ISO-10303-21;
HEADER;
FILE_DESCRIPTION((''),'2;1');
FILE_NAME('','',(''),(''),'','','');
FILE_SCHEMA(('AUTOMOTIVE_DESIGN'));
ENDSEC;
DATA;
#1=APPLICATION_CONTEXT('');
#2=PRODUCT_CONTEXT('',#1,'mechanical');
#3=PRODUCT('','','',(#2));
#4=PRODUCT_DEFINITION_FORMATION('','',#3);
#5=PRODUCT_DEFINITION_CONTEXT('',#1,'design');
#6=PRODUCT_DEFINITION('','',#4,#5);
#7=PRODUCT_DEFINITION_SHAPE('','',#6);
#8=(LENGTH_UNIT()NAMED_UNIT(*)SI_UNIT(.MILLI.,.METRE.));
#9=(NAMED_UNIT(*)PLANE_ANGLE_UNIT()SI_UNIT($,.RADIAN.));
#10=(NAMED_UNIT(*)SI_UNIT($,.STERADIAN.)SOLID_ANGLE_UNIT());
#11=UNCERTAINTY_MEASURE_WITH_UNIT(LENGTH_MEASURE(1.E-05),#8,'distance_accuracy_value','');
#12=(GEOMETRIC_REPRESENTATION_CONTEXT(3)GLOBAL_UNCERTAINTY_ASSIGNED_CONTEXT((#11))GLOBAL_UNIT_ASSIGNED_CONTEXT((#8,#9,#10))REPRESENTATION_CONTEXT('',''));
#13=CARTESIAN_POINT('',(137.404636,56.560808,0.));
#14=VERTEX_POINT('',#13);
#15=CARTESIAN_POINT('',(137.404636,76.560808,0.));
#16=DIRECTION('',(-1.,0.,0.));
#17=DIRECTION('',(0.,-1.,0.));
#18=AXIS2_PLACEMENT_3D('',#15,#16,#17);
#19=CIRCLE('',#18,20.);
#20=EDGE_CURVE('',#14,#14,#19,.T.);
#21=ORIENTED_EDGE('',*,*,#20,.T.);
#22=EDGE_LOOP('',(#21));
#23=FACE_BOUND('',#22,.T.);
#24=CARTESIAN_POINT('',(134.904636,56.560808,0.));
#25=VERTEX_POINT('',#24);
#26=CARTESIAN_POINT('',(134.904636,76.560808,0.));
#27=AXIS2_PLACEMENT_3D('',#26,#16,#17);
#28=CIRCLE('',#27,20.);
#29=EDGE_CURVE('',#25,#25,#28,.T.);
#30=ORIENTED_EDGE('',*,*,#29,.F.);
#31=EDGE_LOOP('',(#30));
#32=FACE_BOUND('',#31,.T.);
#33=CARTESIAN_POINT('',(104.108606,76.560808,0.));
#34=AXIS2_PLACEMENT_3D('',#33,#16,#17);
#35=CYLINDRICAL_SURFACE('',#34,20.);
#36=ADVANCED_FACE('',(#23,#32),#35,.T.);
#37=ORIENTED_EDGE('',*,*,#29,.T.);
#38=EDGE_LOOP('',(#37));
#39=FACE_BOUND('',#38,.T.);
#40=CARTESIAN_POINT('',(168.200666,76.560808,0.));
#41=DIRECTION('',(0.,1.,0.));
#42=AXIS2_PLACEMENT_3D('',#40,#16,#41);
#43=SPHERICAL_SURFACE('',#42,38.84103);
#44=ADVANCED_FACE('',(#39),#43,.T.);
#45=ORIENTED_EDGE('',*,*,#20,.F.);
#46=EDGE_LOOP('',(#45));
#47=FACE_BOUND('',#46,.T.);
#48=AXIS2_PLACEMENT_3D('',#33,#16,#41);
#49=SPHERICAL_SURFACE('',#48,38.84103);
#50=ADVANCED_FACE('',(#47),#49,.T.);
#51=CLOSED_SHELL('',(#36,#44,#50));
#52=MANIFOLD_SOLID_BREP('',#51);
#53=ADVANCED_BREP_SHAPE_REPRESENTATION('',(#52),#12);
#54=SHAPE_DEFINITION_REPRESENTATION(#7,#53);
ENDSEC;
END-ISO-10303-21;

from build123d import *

# Parameters (mm, degrees)
SKETCH_1_ONE_SIDE_W = 2.5
SKETCH_1_ONE_SIDE_H = 20


with BuildPart() as part:
    # 草图1 one side → 旋转1 (revolve)
    with BuildSketch(Plane.XY):
        with Locations((136.154635866, 86.560807911)):
            Rectangle(SKETCH_1_ONE_SIDE_W, SKETCH_1_ONE_SIDE_H)
        with BuildLine():
            Line((129.359635866, 76.560807911), (134.904635866, 76.560807911))
            Line((134.904635866, 76.560807911), (134.904635866, 96.560807911))
            ThreePointArc((134.904635866, 96.560807911), (130.771548112, 86.938030865), (129.359635866, 76.560807911))
        make_face()
        with BuildLine():
            Line((137.404635866, 76.560807911), (142.949635866, 76.560807911))
            ThreePointArc((142.949635866, 76.560807911), (141.537723619, 86.938030865), (137.404635866, 96.560807911))
            Line((137.404635866, 96.560807911), (137.404635866, 76.560807911))
        make_face()
    revolve(axis=Axis((104.108605658, 76.560807911, 0), (1, 0, 0)))


solid = part.part
